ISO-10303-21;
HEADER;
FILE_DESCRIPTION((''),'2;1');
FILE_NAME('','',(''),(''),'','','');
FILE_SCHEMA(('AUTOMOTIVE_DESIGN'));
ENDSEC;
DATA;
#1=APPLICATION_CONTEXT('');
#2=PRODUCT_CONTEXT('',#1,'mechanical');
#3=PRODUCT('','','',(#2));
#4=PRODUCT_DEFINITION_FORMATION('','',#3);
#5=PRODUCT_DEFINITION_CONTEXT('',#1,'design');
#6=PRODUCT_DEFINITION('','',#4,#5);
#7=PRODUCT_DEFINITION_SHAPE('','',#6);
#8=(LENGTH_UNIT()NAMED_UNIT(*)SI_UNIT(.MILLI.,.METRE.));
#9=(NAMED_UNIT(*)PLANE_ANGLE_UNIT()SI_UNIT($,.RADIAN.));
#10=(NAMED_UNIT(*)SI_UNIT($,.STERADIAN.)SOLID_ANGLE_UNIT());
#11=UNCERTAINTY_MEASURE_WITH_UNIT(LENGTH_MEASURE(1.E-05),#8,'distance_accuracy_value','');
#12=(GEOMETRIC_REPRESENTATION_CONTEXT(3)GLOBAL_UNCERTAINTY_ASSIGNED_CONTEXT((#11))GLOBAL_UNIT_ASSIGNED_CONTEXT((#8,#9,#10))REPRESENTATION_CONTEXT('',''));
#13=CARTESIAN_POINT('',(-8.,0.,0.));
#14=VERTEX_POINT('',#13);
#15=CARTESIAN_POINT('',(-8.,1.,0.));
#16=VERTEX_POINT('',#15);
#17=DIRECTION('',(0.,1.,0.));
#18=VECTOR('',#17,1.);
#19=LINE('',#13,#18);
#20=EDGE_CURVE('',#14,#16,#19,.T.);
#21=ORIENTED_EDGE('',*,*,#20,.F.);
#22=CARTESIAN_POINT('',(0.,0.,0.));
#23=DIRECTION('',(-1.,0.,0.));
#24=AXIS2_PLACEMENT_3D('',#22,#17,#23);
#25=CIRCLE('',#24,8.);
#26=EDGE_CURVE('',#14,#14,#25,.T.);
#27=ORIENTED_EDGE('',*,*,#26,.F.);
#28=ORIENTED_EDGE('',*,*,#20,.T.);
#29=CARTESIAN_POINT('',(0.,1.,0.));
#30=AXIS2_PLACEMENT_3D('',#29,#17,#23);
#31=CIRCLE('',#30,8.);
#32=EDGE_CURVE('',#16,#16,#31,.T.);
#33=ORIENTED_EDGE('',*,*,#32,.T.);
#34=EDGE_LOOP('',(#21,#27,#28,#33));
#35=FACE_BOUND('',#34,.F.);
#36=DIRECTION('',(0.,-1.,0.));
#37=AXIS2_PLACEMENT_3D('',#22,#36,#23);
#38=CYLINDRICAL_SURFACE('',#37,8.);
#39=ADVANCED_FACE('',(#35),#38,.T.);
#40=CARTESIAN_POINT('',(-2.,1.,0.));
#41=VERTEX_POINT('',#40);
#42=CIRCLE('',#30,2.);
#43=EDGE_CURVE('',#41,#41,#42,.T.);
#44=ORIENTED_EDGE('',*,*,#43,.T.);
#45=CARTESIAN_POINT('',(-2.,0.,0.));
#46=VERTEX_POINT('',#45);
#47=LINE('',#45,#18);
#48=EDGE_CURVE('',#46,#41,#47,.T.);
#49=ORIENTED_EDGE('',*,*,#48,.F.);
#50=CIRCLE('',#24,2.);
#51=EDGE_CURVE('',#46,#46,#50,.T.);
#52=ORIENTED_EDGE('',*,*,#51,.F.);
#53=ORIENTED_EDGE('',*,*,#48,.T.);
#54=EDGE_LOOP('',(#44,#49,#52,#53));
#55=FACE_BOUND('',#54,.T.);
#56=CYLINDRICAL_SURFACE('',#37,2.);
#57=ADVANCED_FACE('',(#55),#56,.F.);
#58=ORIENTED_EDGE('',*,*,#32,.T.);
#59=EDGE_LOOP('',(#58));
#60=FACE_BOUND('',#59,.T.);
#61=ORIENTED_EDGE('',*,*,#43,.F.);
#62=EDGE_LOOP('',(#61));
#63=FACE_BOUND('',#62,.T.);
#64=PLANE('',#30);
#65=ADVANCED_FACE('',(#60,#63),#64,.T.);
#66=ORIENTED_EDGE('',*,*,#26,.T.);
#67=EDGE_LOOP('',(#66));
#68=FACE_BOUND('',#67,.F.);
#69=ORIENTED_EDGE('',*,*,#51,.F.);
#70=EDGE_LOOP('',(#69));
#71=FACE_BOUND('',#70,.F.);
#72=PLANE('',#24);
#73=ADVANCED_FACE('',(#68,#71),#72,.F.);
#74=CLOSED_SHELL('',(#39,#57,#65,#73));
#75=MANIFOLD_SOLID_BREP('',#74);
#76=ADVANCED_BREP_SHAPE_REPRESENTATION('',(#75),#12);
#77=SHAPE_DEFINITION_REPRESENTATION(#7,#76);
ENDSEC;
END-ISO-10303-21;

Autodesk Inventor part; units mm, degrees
ref_plane "YZ Plane" through (0, 0, 0) normal (1, 0, 0) x (0, 1, 0)
ref_plane "XZ Plane" through (0, 0, 0) normal (0, 1, 0) x (-1, 0, 0)
ref_plane "XY Plane" through (0, 0, 0) normal (0, 0, 1) x (1, 0, 0)
sketch "Sketch1" plane through (0, 0, 0) normal (0, 1, 0) x (-1, 0, 0)
  circle A0 centre (0, 0) radius 2
  circle A1 centre (0, 0) radius 8
  dimension "d0" = 4
  dimension "d1" = 16
extrude "Extrusion1" add sketch "Sketch1" along normal blind 1
properties part number "CustomShim"
